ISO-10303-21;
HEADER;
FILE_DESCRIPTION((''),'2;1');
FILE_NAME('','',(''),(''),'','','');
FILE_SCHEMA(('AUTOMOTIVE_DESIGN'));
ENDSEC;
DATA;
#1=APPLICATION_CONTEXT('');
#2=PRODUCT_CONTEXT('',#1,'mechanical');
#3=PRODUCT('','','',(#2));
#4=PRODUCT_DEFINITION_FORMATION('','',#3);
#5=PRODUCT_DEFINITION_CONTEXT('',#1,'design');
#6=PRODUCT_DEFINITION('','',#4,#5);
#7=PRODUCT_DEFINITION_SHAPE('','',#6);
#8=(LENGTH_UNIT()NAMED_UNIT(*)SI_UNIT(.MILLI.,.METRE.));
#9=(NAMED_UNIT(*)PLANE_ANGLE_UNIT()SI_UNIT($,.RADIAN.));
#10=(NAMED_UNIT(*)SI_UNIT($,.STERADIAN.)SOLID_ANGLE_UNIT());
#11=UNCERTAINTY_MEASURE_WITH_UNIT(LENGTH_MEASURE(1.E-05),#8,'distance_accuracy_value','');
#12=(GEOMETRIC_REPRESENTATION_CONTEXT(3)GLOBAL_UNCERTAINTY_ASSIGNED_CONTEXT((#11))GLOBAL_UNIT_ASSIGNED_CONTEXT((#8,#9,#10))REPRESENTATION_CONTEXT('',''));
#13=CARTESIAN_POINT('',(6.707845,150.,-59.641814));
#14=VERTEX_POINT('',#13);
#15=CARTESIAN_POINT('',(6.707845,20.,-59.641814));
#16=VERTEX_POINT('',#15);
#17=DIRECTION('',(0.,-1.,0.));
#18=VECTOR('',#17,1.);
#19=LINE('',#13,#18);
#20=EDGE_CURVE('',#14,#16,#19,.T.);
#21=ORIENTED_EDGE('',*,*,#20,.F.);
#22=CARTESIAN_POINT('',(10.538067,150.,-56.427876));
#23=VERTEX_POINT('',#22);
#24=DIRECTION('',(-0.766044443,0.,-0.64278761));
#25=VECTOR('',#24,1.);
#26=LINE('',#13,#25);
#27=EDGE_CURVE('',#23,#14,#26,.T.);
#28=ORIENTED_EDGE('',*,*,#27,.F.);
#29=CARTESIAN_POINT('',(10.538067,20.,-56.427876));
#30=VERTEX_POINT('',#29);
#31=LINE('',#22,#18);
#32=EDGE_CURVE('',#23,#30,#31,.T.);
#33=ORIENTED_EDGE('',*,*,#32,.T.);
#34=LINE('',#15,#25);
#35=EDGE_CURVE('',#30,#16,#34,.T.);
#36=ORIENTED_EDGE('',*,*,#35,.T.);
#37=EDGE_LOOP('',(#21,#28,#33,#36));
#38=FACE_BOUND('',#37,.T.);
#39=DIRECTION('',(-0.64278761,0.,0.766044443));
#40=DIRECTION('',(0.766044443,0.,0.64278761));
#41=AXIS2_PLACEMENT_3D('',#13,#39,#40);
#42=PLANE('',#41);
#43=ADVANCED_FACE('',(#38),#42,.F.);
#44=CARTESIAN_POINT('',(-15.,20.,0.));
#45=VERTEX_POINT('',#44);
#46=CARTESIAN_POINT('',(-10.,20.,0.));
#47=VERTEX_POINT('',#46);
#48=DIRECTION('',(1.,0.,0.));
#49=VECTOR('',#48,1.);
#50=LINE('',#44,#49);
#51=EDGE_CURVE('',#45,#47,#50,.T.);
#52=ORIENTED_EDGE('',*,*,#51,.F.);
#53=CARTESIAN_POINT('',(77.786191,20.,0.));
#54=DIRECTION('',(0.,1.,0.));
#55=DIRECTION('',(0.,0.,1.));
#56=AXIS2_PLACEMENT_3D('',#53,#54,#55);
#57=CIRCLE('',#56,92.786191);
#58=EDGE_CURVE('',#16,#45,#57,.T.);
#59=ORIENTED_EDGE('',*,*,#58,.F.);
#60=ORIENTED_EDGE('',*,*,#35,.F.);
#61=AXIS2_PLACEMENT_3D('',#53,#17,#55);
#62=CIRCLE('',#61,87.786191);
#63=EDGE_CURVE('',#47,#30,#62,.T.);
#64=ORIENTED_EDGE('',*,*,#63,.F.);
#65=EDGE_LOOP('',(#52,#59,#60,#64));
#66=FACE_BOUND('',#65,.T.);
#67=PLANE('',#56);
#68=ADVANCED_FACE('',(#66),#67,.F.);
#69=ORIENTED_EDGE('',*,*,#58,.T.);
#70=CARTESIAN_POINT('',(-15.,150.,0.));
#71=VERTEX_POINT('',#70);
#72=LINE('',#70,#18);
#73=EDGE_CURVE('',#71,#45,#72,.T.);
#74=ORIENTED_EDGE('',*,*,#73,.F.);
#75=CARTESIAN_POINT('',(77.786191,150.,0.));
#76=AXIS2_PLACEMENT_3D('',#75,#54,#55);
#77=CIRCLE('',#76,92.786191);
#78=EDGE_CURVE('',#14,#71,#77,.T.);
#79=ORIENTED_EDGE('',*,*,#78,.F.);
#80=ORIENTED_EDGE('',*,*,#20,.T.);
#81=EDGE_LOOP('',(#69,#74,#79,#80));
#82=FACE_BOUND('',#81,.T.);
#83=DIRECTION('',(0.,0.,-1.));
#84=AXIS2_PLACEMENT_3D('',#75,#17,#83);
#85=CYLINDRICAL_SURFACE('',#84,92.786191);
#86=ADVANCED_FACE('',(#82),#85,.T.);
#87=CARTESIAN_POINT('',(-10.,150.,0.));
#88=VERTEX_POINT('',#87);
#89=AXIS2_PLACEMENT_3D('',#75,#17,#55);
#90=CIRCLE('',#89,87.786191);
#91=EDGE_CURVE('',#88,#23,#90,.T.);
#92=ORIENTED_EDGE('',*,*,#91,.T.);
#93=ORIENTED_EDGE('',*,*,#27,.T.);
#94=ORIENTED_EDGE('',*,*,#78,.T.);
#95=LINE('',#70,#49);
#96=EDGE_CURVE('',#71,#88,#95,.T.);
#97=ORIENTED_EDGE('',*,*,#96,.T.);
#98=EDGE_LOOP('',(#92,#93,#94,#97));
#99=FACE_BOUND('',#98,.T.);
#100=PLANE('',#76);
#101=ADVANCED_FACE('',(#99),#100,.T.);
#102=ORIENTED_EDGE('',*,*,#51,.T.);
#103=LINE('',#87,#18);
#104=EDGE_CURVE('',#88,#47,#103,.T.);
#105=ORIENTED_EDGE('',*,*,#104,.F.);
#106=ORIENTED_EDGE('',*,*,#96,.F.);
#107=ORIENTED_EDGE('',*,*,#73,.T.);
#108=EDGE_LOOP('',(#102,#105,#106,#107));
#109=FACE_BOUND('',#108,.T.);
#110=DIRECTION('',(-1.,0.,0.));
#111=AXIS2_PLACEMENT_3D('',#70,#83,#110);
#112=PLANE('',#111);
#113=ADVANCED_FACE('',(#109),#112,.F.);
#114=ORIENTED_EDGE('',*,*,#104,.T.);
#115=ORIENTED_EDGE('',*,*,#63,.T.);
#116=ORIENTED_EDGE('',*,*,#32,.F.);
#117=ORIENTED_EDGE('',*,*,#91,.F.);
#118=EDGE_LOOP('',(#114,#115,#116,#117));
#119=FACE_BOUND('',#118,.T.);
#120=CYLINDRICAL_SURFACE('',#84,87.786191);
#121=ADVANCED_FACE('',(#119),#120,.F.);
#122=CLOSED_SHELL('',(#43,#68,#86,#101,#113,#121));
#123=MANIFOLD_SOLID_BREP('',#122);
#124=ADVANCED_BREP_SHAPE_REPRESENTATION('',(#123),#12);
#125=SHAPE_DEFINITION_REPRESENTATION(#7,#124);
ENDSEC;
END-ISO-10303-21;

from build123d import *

# Parameters (mm, degrees)
SKETCH1_R           = 2.6
BOSS_EXTRUDE1_DEPTH = 20
BOSS_EXTRUDE2_DEPTH = 130
CUT_EXTRUDE1_DEPTH  = 146.347279326


with BuildPart() as part:
    # Sketch1 → Boss-Extrude1 (new body)
    with BuildSketch(Plane(origin=(0, 0, 0), x_dir=(1, 0, 0), z_dir=(0, 1, 0))):
        with BuildLine():
            Line((10, 0), (-10, 0))
            ThreePointArc((-10, 0), (-4.705844869, 30.024645745), (10.538067282, 56.427876097))
            Line((10.538067282, 56.427876097), (25.858956145, 43.572123903))
            ThreePointArc((25.858956145, 43.572123903), (14.088007547, 23.184242879), (10, 0))
        make_face()
        with Locations(Location((0.645465629, 10, 0), (0, 0, 270))):
            Circle(SKETCH1_R, mode=Mode.SUBTRACT)
        with Locations(Location((4.691081339, 26.604444312, 0), (0, 0, 270))):
            Circle(SKETCH1_R, mode=Mode.SUBTRACT)
        with Locations(Location((12.265090975, 41.92465826, 0), (0, 0, 270))):
            Circle(SKETCH1_R, mode=Mode.SUBTRACT)
    extrude(amount=BOSS_EXTRUDE1_DEPTH)

    # Sketch3 → Cut-Extrude1 (cut, through all)
    with BuildSketch(Plane(origin=(0, 20, 0), x_dir=(1, 0, 0), z_dir=(0, 1, 0))):
        with BuildLine():
            Line((25.858956145, 43.572123903), (10.538067282, 56.427876097))
            ThreePointArc((10.538067282, 56.427876097), (-4.705844869, 30.024645745), (-10, 0))
            Line((-10, 0), (10, 0))
            ThreePointArc((10, 0), (14.088007547, 23.184242879), (25.858956145, 43.572123903))
        make_face()
    extrude(amount=-CUT_EXTRUDE1_DEPTH, mode=Mode.SUBTRACT)


with BuildPart() as body_2:
    # Sketch2 → Boss-Extrude2 (new body)
    with BuildSketch(Plane(origin=(0, 20, 0), x_dir=(1, 0, 0), z_dir=(0, 1, 0))):
        with BuildLine():
            Line((6.707845067, 59.641814145), (10.538067282, 56.427876097))
            ThreePointArc((10.538067282, 56.427876097), (-4.705844869, 30.024645745), (-10, 0))
            Line((-10, 0), (-15, 0))
            ThreePointArc((-15, 0), (-9.404307973, 31.734746462), (6.707845067, 59.641814145))
        make_face()
    extrude(amount=BOSS_EXTRUDE2_DEPTH)


solid = body_2.part
